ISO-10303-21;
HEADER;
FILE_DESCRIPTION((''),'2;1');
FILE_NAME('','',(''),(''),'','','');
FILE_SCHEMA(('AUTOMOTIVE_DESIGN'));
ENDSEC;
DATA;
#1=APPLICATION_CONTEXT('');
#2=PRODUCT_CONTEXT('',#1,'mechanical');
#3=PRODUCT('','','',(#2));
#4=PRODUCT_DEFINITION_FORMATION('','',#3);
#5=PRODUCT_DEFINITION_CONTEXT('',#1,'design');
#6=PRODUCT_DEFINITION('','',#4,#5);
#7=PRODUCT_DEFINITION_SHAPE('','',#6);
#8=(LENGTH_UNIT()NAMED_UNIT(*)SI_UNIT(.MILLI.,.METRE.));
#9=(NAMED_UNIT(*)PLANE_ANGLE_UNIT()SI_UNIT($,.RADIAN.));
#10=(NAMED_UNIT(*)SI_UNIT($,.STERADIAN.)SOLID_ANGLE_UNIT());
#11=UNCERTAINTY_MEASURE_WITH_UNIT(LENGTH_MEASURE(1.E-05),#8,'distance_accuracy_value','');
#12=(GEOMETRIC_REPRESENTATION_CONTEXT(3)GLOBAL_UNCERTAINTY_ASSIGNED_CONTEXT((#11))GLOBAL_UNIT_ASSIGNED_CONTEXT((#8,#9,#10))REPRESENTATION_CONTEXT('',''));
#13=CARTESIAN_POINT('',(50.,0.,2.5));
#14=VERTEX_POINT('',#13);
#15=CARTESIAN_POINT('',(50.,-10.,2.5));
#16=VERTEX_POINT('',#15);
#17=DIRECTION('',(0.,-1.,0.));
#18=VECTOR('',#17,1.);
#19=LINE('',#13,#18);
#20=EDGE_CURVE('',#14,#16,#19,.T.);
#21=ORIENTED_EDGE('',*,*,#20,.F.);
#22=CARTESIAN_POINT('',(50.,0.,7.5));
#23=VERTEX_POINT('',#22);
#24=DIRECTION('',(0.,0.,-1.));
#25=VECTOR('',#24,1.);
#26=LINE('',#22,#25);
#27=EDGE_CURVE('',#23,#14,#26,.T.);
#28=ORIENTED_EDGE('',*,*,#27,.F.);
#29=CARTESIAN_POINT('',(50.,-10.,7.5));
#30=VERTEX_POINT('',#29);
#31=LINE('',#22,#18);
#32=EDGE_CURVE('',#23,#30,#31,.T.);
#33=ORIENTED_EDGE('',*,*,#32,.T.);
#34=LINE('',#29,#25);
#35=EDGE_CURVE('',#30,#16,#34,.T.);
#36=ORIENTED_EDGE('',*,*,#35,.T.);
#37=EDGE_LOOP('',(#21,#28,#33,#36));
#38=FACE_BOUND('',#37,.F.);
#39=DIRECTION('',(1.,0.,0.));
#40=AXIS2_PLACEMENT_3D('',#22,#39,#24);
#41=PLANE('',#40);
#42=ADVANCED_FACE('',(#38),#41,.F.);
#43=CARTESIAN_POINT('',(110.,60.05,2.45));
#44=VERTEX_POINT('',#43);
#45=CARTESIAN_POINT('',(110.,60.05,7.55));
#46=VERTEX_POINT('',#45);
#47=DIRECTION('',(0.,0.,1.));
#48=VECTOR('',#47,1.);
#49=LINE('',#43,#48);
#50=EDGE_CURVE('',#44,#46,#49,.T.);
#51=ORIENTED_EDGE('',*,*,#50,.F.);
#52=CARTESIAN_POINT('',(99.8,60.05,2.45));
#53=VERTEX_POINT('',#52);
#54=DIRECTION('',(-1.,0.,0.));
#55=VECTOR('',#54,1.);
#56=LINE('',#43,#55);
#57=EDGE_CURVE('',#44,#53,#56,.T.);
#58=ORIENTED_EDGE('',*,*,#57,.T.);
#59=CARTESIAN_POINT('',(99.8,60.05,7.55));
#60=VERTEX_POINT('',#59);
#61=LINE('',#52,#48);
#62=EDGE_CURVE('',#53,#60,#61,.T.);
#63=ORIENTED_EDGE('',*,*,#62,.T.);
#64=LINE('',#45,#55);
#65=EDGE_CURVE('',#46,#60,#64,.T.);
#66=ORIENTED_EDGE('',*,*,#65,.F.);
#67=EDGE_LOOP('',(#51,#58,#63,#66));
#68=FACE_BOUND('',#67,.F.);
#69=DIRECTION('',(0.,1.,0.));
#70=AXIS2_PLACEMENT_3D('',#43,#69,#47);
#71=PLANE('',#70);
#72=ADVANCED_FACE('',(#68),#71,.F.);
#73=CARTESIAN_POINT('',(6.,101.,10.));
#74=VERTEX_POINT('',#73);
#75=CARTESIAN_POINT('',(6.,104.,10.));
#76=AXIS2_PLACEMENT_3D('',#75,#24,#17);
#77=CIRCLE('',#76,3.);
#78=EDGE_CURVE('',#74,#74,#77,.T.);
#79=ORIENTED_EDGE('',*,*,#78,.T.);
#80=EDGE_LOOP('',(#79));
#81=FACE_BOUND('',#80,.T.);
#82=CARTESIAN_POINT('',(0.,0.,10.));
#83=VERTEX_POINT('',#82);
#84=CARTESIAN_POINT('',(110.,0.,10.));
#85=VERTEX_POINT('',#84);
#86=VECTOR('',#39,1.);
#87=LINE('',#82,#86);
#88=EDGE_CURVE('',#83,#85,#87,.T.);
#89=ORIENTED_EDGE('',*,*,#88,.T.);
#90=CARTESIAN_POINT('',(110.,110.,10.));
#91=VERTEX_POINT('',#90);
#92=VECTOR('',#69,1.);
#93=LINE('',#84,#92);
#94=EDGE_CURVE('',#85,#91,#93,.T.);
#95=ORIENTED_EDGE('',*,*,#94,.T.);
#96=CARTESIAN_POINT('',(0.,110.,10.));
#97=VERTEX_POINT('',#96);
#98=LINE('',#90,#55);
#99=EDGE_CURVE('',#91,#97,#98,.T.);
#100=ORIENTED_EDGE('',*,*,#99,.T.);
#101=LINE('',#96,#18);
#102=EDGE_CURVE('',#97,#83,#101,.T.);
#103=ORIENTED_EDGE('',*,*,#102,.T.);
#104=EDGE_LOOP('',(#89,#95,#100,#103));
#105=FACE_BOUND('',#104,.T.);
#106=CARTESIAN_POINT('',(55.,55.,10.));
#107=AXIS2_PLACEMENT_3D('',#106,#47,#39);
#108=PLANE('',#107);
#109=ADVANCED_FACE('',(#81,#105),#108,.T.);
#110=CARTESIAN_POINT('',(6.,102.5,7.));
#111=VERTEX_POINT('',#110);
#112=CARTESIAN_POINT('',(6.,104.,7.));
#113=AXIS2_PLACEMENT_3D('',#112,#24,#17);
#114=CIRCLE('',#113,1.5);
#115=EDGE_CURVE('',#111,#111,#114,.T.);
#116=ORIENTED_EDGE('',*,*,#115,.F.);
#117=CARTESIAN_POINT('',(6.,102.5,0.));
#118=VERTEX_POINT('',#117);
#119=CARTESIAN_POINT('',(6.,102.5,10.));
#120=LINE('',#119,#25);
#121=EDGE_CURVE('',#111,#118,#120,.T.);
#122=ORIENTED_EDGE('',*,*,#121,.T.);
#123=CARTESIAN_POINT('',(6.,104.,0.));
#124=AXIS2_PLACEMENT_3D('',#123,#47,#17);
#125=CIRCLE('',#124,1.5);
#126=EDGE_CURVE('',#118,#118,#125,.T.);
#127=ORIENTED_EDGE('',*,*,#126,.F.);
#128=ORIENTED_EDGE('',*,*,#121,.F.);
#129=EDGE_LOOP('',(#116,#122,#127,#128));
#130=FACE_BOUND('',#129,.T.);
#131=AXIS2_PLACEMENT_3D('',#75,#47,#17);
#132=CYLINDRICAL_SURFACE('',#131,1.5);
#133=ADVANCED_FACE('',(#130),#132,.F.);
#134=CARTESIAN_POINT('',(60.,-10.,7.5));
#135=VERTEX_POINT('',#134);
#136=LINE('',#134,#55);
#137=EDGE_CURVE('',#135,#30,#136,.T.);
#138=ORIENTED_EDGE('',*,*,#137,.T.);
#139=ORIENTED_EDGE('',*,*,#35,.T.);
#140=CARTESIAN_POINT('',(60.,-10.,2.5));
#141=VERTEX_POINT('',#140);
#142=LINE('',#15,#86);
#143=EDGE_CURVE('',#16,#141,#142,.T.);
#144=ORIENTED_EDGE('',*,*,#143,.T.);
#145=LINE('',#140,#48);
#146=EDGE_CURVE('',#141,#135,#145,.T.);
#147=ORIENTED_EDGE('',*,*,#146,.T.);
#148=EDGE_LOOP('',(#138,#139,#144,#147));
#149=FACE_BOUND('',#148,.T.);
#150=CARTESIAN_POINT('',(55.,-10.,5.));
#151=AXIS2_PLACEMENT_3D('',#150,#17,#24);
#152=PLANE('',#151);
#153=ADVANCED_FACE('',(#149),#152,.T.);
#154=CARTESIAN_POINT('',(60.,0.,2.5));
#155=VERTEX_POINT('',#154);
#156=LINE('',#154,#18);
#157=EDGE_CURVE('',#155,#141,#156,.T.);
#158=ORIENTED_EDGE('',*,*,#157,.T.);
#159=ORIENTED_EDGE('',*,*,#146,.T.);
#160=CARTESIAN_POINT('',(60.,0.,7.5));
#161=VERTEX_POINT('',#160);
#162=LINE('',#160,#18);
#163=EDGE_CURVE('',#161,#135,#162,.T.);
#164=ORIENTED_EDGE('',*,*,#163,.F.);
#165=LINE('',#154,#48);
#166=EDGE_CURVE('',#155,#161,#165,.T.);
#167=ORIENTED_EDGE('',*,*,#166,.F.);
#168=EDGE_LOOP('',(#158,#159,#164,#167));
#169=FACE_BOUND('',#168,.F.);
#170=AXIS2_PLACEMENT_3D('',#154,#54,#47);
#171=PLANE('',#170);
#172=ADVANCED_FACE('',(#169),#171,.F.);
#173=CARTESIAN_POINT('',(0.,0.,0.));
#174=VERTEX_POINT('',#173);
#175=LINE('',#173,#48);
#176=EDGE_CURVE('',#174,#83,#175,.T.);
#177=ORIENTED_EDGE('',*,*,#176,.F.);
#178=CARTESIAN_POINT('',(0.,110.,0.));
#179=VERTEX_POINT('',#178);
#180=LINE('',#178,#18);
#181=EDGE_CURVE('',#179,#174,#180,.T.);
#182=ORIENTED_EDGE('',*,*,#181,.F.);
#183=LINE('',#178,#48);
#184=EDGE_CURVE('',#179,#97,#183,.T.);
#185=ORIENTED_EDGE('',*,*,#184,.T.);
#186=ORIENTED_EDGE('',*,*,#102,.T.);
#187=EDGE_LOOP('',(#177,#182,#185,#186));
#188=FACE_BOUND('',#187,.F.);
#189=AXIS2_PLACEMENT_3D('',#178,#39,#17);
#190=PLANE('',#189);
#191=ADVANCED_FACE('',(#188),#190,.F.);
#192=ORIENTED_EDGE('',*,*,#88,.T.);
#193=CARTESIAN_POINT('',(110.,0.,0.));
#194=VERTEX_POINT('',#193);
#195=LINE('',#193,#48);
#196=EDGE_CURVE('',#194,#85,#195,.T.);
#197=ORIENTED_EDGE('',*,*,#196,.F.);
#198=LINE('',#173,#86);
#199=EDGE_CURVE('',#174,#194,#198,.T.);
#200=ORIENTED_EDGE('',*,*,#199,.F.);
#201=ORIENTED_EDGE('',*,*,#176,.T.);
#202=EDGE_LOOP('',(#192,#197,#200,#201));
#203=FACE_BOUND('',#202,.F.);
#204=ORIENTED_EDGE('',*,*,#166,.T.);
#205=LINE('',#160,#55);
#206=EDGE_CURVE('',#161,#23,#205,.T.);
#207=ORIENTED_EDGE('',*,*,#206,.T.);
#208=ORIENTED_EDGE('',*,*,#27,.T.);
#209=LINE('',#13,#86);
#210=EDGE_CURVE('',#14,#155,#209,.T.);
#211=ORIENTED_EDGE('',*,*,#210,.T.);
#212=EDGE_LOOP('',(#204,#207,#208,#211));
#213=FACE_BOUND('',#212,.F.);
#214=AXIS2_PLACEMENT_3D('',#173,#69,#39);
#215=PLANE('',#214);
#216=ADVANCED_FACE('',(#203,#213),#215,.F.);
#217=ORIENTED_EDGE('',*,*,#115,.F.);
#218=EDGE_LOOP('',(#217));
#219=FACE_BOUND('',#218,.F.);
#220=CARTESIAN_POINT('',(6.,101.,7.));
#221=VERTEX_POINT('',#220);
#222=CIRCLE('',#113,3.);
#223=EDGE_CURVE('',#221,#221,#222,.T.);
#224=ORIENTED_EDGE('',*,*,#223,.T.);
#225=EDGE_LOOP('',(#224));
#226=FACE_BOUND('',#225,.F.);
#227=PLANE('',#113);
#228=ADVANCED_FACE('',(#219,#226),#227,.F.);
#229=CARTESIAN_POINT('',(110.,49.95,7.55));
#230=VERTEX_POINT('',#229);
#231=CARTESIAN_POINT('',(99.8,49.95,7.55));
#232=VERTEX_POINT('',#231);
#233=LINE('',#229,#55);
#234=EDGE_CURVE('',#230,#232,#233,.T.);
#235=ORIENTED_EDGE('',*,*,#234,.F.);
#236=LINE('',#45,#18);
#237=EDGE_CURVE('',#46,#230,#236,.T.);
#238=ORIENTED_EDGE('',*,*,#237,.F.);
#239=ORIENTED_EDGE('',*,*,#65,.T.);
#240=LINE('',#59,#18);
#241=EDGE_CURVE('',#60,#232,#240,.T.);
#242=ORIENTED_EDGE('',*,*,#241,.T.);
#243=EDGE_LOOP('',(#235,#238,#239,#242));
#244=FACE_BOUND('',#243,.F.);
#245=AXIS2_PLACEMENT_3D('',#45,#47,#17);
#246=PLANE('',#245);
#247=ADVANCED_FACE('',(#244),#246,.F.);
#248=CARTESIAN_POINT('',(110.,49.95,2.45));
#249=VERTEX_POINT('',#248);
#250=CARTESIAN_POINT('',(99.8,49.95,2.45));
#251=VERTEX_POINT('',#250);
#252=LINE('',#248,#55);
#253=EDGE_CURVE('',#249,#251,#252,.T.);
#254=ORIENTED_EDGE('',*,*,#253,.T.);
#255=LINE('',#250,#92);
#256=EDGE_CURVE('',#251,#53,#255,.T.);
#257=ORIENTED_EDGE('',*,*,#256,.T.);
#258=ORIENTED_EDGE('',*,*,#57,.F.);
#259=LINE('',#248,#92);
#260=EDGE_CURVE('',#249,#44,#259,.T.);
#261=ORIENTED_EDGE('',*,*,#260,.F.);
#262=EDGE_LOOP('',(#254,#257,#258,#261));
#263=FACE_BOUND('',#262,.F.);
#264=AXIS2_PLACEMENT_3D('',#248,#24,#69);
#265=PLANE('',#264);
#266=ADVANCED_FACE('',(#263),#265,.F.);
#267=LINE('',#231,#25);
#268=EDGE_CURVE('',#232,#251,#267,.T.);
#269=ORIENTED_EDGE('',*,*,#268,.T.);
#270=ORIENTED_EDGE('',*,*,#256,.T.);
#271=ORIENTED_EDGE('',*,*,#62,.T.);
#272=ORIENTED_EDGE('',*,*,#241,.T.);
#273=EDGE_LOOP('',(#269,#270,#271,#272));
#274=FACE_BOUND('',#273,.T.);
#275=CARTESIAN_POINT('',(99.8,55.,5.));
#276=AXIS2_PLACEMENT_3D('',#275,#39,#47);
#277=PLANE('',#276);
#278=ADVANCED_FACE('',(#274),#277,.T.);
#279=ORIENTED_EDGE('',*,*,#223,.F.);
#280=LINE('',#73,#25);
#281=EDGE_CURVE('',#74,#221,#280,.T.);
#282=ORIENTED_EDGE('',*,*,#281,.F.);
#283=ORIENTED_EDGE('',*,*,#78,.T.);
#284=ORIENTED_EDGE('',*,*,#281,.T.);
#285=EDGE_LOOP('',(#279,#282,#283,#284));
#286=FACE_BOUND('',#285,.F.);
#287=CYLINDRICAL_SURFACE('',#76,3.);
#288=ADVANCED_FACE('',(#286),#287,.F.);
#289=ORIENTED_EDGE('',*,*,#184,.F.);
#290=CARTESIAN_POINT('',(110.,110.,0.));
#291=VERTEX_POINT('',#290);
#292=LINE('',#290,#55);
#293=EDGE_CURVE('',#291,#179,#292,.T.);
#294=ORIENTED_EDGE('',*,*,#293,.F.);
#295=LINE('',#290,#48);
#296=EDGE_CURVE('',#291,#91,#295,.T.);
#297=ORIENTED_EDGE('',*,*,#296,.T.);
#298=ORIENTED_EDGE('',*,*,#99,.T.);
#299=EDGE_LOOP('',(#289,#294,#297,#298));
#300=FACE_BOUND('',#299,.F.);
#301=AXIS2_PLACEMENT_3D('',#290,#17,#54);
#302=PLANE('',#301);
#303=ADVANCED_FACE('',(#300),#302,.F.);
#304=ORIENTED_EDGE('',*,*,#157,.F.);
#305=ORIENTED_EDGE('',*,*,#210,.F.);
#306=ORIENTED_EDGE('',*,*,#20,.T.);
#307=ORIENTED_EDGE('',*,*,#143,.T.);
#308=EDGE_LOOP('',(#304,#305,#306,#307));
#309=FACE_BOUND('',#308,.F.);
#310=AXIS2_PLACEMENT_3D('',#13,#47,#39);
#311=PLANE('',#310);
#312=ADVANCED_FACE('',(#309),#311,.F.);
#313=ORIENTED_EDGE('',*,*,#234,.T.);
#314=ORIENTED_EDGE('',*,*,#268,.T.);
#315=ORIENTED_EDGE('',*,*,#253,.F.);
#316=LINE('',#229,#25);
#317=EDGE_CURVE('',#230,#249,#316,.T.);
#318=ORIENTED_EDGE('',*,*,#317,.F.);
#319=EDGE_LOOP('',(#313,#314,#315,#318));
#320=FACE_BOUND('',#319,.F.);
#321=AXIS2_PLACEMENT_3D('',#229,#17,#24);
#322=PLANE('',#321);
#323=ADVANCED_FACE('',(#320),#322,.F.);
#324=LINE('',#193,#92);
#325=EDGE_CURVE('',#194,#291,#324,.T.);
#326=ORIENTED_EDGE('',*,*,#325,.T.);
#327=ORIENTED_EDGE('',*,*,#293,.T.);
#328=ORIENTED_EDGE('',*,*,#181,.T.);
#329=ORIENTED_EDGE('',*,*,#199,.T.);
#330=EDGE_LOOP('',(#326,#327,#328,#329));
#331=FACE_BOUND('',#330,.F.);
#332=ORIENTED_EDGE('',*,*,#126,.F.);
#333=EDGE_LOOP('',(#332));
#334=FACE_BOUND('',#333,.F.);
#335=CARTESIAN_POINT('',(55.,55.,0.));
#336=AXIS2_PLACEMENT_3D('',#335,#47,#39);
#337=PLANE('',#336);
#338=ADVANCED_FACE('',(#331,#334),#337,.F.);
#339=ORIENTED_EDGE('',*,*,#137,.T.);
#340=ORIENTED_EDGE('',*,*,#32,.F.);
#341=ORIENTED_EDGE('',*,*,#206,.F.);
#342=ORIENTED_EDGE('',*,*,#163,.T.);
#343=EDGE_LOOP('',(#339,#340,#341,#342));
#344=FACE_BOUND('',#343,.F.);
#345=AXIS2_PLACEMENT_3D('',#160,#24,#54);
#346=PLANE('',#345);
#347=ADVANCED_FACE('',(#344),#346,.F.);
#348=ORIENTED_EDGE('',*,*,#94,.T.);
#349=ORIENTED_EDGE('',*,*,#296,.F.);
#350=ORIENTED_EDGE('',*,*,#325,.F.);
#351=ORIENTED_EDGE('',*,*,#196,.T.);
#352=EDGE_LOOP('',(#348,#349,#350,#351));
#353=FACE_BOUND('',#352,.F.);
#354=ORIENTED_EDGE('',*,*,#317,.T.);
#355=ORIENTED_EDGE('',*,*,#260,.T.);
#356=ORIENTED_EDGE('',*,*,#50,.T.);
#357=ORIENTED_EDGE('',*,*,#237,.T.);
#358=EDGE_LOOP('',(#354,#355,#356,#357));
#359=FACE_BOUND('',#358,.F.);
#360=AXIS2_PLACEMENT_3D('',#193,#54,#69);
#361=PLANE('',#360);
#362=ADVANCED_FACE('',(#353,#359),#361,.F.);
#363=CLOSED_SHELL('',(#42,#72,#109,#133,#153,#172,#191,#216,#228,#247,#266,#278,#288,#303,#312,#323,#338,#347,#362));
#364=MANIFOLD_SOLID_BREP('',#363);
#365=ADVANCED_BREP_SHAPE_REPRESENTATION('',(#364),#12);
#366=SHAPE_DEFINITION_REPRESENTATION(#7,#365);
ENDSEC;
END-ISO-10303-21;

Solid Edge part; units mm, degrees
sketch "Sketch1" plane through (0, 0, 0) normal (0, 0, 1) x (1, 0, 0)
  line L0 (110, 0) -> (110, 110)
  line L1 (110, 110) -> (0, 110)
  line L2 (0, 110) -> (0, 0)
  line L3 (0, 0) -> (110, 0)
extrude "Protrusion1" add sketch "Sketch1" along normal blind 10
hole "Agujero_1" at (6, 104, 10) direction (0, 0, -1) diameter 3 end through all counterbore diameter 6 counterbore depth 3
sketch "Sketch2" plane through (55, 0, 5) normal (0, -1, 0) x (1, 0, 0)
  line L0 (5, -2.5) -> (5, 2.5)
  line L1 (5, 2.5) -> (-5, 2.5)
  line L2 (-5, 2.5) -> (-5, -2.5)
  line L3 (-5, -2.5) -> (5, -2.5)
extrude "ProtrusiónExtruida_2" add sketch "Sketch2" along normal blind 10
sketch "Sketch3" plane through (110, 55, 5) normal (1, 0, 0) x (0, 1, 0)
  line L0 (5.05, -2.55) -> (5.05, 2.55)
  line L1 (5.05, 2.55) -> (-5.05, 2.55)
  line L2 (-5.05, 2.55) -> (-5.05, -2.55)
  line L3 (-5.05, -2.55) -> (5.05, -2.55)
extrude "VaciadoExtruido_1" cut sketch "Sketch3" against normal blind 10.2
